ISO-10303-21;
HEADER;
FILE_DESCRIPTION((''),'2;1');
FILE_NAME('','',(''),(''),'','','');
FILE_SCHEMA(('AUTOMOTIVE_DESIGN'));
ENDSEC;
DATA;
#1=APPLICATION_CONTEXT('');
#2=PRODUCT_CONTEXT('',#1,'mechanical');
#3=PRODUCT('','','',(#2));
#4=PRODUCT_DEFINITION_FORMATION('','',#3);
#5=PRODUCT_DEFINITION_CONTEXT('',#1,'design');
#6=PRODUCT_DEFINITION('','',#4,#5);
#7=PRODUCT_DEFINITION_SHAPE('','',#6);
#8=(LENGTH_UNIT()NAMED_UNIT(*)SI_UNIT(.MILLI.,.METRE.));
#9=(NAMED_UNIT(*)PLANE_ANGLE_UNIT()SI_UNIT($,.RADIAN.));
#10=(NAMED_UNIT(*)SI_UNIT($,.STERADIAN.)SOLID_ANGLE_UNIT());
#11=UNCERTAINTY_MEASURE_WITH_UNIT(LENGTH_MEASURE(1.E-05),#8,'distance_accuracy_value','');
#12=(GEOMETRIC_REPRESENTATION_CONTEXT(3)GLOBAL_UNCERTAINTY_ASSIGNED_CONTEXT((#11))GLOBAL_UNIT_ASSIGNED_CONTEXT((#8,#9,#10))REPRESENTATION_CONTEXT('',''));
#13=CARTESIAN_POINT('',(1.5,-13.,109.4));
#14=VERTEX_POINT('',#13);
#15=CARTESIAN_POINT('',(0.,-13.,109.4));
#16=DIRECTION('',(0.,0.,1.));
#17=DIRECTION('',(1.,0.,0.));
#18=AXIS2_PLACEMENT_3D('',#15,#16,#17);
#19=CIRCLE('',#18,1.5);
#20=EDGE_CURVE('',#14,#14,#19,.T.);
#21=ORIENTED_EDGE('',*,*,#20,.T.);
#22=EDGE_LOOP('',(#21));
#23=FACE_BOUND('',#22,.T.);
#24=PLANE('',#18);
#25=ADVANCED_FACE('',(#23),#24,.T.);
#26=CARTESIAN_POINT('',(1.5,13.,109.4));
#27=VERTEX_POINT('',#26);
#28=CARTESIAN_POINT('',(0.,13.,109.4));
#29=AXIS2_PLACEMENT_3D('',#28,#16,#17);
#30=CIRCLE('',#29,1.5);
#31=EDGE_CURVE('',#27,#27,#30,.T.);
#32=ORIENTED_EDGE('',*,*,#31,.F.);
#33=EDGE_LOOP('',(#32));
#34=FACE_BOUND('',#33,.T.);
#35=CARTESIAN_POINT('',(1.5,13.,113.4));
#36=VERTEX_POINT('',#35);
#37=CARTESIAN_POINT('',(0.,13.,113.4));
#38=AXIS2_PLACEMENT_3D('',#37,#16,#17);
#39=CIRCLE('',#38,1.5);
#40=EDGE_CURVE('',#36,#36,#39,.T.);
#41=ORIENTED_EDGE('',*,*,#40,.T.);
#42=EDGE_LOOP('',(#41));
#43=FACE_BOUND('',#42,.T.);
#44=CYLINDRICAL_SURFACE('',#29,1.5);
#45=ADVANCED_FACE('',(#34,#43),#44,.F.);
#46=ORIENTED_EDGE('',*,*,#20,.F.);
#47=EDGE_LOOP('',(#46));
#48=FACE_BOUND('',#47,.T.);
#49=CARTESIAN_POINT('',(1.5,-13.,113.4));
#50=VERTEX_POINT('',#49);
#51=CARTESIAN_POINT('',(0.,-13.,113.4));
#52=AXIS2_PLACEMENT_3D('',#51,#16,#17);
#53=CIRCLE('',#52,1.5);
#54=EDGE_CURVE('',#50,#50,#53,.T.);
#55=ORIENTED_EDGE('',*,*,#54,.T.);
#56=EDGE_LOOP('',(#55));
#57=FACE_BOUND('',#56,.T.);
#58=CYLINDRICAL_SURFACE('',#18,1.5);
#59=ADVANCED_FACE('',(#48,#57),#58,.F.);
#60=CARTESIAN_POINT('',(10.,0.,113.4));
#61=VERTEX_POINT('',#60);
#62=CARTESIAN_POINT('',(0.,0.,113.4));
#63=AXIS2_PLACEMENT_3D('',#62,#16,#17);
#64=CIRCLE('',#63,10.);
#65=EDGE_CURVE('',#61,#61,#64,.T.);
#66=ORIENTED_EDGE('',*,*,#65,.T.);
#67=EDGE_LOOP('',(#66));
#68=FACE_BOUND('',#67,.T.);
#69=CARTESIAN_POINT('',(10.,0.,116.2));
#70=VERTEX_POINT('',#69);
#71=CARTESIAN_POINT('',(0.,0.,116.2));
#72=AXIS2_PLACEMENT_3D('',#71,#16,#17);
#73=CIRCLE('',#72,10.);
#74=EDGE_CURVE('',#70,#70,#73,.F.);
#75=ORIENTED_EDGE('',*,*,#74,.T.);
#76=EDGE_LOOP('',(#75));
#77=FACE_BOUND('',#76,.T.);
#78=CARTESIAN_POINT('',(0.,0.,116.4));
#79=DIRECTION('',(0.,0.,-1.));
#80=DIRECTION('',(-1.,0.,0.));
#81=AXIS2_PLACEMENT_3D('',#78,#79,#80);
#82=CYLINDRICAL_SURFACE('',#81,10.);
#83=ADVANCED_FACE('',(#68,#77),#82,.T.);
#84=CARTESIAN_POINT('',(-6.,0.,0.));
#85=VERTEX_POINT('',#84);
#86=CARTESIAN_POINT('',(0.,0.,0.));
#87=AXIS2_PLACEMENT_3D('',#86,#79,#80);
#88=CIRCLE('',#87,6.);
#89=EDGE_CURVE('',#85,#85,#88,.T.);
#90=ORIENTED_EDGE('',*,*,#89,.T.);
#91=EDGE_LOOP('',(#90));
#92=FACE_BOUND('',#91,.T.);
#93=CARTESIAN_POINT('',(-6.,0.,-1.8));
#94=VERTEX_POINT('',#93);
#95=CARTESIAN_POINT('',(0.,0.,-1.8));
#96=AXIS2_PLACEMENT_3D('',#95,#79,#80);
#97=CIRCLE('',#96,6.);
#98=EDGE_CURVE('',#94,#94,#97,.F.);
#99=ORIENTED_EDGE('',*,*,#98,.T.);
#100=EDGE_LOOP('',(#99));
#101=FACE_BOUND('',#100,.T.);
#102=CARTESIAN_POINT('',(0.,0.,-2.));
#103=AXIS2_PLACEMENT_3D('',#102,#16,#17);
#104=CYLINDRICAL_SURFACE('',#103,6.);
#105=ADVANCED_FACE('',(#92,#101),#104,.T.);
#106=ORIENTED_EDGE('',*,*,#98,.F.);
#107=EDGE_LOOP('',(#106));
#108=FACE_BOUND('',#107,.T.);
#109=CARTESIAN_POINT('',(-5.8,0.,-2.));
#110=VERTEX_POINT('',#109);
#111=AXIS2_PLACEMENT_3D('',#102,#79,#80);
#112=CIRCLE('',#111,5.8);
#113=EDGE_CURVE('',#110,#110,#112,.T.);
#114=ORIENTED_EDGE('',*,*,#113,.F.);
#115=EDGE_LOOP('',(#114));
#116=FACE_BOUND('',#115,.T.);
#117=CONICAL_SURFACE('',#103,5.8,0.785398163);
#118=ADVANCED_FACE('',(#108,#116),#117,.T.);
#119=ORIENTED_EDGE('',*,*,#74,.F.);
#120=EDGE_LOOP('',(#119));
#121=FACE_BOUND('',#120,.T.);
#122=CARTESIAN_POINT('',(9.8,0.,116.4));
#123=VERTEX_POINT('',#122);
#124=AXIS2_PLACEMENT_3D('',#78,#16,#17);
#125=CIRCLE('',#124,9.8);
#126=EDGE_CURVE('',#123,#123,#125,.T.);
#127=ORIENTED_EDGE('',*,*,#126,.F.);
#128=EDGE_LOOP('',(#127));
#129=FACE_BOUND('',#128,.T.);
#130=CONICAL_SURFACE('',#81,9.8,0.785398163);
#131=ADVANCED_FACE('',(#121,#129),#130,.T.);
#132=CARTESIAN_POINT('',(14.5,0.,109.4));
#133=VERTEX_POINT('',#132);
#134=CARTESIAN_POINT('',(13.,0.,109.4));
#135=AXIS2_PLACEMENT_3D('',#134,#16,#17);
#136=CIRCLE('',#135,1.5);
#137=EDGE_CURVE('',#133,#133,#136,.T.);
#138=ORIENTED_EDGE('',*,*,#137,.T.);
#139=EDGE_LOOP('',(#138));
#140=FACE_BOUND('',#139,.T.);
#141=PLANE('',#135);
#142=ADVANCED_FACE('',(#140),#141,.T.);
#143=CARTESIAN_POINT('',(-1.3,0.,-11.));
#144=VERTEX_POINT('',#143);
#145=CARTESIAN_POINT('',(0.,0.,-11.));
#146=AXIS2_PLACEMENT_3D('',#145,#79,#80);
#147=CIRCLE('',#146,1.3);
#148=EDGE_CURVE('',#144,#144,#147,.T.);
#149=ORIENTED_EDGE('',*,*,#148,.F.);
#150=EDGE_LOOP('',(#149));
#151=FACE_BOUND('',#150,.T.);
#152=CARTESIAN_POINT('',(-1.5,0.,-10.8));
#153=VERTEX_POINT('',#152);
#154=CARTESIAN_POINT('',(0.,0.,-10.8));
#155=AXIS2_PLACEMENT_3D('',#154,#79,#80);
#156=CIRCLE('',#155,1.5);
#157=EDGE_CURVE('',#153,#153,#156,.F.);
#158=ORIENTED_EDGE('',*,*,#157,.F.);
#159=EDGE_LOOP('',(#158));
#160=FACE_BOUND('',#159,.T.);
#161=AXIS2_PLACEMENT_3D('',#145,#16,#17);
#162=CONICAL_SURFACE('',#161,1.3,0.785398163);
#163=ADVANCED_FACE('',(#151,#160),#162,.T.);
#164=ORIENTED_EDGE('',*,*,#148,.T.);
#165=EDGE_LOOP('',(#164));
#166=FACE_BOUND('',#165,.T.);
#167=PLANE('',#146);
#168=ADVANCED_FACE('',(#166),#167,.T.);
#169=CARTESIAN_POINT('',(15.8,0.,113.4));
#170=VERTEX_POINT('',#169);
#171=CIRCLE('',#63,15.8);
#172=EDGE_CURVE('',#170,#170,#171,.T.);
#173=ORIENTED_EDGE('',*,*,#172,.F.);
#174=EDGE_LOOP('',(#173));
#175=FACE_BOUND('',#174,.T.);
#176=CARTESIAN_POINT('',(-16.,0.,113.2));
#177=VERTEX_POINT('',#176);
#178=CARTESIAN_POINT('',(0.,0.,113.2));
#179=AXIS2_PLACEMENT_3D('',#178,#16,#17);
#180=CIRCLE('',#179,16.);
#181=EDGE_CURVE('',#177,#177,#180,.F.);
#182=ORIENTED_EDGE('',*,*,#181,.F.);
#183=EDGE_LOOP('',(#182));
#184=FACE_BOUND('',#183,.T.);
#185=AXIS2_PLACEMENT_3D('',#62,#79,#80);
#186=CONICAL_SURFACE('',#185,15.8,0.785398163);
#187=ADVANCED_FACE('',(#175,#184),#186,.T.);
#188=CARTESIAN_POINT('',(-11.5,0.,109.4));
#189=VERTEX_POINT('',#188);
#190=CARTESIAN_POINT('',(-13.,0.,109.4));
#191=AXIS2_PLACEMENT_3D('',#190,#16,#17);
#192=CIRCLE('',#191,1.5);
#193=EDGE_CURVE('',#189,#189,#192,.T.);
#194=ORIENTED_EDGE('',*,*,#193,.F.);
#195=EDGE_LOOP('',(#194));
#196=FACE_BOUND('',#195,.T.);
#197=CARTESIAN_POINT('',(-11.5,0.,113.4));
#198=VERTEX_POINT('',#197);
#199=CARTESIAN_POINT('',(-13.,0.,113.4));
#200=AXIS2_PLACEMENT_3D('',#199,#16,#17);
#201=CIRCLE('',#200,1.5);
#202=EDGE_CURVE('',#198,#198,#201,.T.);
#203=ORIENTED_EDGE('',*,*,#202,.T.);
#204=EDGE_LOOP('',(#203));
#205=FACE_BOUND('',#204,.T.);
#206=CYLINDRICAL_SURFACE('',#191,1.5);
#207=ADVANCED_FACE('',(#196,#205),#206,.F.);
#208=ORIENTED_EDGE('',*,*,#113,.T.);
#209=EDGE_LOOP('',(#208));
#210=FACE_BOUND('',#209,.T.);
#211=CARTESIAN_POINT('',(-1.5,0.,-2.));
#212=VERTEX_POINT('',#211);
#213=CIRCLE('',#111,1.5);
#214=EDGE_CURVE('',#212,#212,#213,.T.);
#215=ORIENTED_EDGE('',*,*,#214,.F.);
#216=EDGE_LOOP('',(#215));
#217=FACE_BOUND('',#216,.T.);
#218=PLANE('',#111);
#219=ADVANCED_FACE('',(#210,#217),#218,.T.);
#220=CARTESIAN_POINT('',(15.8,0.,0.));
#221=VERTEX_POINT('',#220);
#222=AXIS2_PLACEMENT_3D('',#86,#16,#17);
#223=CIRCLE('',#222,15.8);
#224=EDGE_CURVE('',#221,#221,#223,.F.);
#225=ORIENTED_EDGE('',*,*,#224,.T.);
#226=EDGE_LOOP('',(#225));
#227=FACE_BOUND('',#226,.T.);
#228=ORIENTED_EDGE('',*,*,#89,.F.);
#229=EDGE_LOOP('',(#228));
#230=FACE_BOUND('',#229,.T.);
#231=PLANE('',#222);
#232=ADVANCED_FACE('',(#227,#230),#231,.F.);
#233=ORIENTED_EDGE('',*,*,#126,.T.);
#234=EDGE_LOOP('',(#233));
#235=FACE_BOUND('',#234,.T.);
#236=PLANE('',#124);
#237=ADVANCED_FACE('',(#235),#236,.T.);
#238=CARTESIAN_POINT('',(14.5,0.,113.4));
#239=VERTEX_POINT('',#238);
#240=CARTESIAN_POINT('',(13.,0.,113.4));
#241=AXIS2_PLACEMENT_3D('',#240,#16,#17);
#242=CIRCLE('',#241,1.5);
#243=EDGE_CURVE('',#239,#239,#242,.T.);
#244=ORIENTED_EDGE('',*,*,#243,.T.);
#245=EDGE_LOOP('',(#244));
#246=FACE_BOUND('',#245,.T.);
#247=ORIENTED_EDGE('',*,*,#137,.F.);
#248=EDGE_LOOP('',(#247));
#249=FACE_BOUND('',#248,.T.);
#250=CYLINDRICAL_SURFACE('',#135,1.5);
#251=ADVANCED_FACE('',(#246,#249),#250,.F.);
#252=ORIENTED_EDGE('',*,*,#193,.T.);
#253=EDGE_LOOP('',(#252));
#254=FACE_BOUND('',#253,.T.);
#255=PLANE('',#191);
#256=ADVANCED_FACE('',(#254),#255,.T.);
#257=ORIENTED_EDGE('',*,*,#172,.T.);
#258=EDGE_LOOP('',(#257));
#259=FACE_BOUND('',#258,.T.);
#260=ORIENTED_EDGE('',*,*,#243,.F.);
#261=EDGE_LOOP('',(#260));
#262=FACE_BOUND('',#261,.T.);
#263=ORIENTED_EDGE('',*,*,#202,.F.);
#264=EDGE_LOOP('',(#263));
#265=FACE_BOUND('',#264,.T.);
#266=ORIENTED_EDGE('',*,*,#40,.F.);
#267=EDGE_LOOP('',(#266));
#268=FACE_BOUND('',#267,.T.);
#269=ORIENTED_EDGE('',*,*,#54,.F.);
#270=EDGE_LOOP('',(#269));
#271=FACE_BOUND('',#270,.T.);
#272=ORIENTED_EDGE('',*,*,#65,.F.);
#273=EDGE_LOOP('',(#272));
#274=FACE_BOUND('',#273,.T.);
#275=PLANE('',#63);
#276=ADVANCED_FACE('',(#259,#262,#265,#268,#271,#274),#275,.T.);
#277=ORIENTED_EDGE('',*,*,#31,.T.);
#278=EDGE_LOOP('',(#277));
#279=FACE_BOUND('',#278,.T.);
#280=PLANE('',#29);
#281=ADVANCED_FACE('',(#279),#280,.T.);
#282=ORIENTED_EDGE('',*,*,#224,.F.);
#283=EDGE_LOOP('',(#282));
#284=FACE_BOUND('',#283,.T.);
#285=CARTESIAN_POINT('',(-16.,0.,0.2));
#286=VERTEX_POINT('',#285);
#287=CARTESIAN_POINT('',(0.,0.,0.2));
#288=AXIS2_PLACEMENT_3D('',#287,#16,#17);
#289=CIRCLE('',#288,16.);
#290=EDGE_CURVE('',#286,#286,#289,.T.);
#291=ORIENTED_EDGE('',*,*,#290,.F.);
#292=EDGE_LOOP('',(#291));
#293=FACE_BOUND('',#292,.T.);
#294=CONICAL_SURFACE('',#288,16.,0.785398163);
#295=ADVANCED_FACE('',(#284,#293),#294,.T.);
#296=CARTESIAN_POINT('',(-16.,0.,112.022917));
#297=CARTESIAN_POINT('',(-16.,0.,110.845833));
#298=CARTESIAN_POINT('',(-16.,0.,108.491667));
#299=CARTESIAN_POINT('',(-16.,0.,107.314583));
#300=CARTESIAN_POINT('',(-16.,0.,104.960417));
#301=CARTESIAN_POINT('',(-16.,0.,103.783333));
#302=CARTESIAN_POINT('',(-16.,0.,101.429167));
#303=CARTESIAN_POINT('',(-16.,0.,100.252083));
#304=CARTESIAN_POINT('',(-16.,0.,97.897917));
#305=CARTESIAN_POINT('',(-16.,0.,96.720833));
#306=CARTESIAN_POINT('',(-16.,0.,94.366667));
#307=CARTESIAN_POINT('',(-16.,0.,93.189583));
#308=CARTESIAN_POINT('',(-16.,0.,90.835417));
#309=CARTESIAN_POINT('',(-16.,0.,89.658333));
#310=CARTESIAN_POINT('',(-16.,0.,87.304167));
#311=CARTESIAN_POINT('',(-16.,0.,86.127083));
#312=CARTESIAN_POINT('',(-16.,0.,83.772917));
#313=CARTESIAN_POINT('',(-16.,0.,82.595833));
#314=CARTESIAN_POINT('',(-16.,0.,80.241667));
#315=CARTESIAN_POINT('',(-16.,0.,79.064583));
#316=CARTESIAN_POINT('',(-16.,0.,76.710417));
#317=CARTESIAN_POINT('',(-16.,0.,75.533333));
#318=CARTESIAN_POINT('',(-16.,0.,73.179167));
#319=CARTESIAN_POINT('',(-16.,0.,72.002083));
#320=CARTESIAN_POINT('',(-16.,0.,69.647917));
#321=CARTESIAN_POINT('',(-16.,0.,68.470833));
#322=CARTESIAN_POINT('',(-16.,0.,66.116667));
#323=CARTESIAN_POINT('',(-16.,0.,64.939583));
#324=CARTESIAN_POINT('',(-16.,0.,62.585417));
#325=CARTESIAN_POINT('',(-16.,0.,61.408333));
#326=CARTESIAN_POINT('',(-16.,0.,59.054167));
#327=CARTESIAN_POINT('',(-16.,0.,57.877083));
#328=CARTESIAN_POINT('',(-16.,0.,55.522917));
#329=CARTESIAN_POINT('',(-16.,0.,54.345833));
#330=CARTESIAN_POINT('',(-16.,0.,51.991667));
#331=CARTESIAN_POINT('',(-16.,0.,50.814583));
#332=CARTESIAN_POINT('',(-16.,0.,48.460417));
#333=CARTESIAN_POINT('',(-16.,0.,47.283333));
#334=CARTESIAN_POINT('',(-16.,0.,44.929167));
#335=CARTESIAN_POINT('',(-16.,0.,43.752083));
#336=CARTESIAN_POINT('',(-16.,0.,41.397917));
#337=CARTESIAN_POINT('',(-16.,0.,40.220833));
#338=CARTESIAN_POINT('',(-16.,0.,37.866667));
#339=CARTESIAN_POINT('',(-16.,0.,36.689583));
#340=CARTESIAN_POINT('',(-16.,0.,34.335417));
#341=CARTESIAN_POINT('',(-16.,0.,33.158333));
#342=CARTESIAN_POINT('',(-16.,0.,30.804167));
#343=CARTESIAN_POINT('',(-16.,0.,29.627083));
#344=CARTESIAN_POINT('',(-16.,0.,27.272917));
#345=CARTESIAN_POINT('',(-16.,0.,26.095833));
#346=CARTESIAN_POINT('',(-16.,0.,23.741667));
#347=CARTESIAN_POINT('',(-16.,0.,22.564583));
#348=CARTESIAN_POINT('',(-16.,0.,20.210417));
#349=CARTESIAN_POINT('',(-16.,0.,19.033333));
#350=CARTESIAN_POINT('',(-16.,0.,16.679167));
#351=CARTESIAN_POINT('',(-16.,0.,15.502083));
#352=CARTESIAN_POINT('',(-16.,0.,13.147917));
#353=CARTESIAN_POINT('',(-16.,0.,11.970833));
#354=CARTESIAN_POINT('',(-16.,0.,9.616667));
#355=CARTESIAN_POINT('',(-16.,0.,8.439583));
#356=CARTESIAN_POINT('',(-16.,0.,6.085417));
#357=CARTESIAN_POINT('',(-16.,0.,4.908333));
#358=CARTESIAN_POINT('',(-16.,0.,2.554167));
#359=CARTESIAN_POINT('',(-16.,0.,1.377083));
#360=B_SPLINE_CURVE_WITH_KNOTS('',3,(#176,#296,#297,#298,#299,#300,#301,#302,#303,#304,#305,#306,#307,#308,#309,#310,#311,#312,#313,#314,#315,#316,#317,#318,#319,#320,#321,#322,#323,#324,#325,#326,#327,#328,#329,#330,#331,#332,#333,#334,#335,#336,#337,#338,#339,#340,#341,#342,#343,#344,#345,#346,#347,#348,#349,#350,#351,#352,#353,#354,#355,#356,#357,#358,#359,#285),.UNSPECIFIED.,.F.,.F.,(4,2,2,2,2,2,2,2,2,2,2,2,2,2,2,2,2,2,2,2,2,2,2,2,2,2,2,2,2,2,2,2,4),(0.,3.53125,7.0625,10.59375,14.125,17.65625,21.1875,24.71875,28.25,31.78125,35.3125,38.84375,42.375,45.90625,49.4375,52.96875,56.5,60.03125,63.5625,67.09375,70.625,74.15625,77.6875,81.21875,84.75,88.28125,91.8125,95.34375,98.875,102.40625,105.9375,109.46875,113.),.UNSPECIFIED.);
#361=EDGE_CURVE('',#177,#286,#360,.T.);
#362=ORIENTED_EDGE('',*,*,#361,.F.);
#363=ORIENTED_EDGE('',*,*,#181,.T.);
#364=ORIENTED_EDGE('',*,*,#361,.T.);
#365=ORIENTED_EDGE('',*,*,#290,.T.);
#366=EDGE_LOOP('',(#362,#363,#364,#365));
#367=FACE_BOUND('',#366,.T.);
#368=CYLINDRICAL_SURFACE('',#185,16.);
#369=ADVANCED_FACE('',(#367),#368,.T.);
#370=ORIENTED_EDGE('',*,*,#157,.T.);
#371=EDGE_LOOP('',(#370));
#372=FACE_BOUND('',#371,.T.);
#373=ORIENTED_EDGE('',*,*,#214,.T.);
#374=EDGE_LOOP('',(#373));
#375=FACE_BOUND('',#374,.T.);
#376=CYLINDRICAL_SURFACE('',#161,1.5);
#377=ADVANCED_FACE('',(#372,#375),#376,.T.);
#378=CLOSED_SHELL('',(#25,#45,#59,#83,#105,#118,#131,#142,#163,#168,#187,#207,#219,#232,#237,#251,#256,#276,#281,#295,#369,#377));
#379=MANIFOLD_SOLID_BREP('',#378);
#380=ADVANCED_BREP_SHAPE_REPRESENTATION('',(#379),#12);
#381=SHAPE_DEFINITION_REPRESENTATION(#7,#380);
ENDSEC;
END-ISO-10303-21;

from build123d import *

# Parameters (mm, degrees)
CROQUIS1_R              = 16
SALIENTE_EXTRUIR1_DEPTH = 113.4
CROQUIS2_R              = 10
SALIENTE_EXTRUIR2_DEPTH = 3
CROQUIS3_R              = 6
SALIENTE_EXTRUIR3_DEPTH = 2
CROQUIS4_R              = 1.5
SALIENTE_EXTRUIR4_DEPTH = 9
CHAFL_N1_SIZE           = 0.2
CROQUIS5_R              = 1.5
CORTAR_EXTRUIR1_DEPTH   = 4


with BuildPart() as part:
    # Croquis1 → Saliente-Extruir1 (new body)
    with BuildSketch(Plane.XY):
        with Locations(Location((0, 0, 0), (0, 0, 180))):
            Circle(CROQUIS1_R)
    extrude(amount=SALIENTE_EXTRUIR1_DEPTH)

    # Croquis2 → Saliente-Extruir2 (add)
    with BuildSketch(Plane.XY.offset(113.4)):
        Circle(CROQUIS2_R)
    extrude(amount=SALIENTE_EXTRUIR2_DEPTH)

    # Croquis3 → Saliente-Extruir3 (add)
    with BuildSketch(Plane(origin=(0, 0, 0), x_dir=(-1, 0, 0), z_dir=(0, 0, -1))):
        Circle(CROQUIS3_R)
    extrude(amount=SALIENTE_EXTRUIR3_DEPTH)

    # Croquis4 → Saliente-Extruir4 (add)
    with BuildSketch(Plane(origin=(0, 0, -2), x_dir=(-1, 0, 0), z_dir=(0, 0, -1))):
        Circle(CROQUIS4_R)
    extrude(amount=SALIENTE_EXTRUIR4_DEPTH)

    # Chaflán1
    chafl_n1_edges = [part.edges().sort_by_distance(p)[0] for p in [
        (6, 0, -2),
        (1.5, 0, -11),
        (16, 0, 0),
        (16, 0, 113.4),
        (-10, 0, 116.4),
    ]]
    chamfer(chafl_n1_edges, length=CHAFL_N1_SIZE)

    # Croquis5 → Cortar-Extruir1 (cut)
    with BuildSketch(Plane.XY.offset(113.4)):
        with Locations((0, 13)):
            Circle(CROQUIS5_R)
        with Locations((13, 0)):
            Circle(CROQUIS5_R)
        with Locations((0, -13)):
            Circle(CROQUIS5_R)
        with Locations((-13, 0)):
            Circle(CROQUIS5_R)
    extrude(amount=-CORTAR_EXTRUIR1_DEPTH, mode=Mode.SUBTRACT)


solid = part.part
